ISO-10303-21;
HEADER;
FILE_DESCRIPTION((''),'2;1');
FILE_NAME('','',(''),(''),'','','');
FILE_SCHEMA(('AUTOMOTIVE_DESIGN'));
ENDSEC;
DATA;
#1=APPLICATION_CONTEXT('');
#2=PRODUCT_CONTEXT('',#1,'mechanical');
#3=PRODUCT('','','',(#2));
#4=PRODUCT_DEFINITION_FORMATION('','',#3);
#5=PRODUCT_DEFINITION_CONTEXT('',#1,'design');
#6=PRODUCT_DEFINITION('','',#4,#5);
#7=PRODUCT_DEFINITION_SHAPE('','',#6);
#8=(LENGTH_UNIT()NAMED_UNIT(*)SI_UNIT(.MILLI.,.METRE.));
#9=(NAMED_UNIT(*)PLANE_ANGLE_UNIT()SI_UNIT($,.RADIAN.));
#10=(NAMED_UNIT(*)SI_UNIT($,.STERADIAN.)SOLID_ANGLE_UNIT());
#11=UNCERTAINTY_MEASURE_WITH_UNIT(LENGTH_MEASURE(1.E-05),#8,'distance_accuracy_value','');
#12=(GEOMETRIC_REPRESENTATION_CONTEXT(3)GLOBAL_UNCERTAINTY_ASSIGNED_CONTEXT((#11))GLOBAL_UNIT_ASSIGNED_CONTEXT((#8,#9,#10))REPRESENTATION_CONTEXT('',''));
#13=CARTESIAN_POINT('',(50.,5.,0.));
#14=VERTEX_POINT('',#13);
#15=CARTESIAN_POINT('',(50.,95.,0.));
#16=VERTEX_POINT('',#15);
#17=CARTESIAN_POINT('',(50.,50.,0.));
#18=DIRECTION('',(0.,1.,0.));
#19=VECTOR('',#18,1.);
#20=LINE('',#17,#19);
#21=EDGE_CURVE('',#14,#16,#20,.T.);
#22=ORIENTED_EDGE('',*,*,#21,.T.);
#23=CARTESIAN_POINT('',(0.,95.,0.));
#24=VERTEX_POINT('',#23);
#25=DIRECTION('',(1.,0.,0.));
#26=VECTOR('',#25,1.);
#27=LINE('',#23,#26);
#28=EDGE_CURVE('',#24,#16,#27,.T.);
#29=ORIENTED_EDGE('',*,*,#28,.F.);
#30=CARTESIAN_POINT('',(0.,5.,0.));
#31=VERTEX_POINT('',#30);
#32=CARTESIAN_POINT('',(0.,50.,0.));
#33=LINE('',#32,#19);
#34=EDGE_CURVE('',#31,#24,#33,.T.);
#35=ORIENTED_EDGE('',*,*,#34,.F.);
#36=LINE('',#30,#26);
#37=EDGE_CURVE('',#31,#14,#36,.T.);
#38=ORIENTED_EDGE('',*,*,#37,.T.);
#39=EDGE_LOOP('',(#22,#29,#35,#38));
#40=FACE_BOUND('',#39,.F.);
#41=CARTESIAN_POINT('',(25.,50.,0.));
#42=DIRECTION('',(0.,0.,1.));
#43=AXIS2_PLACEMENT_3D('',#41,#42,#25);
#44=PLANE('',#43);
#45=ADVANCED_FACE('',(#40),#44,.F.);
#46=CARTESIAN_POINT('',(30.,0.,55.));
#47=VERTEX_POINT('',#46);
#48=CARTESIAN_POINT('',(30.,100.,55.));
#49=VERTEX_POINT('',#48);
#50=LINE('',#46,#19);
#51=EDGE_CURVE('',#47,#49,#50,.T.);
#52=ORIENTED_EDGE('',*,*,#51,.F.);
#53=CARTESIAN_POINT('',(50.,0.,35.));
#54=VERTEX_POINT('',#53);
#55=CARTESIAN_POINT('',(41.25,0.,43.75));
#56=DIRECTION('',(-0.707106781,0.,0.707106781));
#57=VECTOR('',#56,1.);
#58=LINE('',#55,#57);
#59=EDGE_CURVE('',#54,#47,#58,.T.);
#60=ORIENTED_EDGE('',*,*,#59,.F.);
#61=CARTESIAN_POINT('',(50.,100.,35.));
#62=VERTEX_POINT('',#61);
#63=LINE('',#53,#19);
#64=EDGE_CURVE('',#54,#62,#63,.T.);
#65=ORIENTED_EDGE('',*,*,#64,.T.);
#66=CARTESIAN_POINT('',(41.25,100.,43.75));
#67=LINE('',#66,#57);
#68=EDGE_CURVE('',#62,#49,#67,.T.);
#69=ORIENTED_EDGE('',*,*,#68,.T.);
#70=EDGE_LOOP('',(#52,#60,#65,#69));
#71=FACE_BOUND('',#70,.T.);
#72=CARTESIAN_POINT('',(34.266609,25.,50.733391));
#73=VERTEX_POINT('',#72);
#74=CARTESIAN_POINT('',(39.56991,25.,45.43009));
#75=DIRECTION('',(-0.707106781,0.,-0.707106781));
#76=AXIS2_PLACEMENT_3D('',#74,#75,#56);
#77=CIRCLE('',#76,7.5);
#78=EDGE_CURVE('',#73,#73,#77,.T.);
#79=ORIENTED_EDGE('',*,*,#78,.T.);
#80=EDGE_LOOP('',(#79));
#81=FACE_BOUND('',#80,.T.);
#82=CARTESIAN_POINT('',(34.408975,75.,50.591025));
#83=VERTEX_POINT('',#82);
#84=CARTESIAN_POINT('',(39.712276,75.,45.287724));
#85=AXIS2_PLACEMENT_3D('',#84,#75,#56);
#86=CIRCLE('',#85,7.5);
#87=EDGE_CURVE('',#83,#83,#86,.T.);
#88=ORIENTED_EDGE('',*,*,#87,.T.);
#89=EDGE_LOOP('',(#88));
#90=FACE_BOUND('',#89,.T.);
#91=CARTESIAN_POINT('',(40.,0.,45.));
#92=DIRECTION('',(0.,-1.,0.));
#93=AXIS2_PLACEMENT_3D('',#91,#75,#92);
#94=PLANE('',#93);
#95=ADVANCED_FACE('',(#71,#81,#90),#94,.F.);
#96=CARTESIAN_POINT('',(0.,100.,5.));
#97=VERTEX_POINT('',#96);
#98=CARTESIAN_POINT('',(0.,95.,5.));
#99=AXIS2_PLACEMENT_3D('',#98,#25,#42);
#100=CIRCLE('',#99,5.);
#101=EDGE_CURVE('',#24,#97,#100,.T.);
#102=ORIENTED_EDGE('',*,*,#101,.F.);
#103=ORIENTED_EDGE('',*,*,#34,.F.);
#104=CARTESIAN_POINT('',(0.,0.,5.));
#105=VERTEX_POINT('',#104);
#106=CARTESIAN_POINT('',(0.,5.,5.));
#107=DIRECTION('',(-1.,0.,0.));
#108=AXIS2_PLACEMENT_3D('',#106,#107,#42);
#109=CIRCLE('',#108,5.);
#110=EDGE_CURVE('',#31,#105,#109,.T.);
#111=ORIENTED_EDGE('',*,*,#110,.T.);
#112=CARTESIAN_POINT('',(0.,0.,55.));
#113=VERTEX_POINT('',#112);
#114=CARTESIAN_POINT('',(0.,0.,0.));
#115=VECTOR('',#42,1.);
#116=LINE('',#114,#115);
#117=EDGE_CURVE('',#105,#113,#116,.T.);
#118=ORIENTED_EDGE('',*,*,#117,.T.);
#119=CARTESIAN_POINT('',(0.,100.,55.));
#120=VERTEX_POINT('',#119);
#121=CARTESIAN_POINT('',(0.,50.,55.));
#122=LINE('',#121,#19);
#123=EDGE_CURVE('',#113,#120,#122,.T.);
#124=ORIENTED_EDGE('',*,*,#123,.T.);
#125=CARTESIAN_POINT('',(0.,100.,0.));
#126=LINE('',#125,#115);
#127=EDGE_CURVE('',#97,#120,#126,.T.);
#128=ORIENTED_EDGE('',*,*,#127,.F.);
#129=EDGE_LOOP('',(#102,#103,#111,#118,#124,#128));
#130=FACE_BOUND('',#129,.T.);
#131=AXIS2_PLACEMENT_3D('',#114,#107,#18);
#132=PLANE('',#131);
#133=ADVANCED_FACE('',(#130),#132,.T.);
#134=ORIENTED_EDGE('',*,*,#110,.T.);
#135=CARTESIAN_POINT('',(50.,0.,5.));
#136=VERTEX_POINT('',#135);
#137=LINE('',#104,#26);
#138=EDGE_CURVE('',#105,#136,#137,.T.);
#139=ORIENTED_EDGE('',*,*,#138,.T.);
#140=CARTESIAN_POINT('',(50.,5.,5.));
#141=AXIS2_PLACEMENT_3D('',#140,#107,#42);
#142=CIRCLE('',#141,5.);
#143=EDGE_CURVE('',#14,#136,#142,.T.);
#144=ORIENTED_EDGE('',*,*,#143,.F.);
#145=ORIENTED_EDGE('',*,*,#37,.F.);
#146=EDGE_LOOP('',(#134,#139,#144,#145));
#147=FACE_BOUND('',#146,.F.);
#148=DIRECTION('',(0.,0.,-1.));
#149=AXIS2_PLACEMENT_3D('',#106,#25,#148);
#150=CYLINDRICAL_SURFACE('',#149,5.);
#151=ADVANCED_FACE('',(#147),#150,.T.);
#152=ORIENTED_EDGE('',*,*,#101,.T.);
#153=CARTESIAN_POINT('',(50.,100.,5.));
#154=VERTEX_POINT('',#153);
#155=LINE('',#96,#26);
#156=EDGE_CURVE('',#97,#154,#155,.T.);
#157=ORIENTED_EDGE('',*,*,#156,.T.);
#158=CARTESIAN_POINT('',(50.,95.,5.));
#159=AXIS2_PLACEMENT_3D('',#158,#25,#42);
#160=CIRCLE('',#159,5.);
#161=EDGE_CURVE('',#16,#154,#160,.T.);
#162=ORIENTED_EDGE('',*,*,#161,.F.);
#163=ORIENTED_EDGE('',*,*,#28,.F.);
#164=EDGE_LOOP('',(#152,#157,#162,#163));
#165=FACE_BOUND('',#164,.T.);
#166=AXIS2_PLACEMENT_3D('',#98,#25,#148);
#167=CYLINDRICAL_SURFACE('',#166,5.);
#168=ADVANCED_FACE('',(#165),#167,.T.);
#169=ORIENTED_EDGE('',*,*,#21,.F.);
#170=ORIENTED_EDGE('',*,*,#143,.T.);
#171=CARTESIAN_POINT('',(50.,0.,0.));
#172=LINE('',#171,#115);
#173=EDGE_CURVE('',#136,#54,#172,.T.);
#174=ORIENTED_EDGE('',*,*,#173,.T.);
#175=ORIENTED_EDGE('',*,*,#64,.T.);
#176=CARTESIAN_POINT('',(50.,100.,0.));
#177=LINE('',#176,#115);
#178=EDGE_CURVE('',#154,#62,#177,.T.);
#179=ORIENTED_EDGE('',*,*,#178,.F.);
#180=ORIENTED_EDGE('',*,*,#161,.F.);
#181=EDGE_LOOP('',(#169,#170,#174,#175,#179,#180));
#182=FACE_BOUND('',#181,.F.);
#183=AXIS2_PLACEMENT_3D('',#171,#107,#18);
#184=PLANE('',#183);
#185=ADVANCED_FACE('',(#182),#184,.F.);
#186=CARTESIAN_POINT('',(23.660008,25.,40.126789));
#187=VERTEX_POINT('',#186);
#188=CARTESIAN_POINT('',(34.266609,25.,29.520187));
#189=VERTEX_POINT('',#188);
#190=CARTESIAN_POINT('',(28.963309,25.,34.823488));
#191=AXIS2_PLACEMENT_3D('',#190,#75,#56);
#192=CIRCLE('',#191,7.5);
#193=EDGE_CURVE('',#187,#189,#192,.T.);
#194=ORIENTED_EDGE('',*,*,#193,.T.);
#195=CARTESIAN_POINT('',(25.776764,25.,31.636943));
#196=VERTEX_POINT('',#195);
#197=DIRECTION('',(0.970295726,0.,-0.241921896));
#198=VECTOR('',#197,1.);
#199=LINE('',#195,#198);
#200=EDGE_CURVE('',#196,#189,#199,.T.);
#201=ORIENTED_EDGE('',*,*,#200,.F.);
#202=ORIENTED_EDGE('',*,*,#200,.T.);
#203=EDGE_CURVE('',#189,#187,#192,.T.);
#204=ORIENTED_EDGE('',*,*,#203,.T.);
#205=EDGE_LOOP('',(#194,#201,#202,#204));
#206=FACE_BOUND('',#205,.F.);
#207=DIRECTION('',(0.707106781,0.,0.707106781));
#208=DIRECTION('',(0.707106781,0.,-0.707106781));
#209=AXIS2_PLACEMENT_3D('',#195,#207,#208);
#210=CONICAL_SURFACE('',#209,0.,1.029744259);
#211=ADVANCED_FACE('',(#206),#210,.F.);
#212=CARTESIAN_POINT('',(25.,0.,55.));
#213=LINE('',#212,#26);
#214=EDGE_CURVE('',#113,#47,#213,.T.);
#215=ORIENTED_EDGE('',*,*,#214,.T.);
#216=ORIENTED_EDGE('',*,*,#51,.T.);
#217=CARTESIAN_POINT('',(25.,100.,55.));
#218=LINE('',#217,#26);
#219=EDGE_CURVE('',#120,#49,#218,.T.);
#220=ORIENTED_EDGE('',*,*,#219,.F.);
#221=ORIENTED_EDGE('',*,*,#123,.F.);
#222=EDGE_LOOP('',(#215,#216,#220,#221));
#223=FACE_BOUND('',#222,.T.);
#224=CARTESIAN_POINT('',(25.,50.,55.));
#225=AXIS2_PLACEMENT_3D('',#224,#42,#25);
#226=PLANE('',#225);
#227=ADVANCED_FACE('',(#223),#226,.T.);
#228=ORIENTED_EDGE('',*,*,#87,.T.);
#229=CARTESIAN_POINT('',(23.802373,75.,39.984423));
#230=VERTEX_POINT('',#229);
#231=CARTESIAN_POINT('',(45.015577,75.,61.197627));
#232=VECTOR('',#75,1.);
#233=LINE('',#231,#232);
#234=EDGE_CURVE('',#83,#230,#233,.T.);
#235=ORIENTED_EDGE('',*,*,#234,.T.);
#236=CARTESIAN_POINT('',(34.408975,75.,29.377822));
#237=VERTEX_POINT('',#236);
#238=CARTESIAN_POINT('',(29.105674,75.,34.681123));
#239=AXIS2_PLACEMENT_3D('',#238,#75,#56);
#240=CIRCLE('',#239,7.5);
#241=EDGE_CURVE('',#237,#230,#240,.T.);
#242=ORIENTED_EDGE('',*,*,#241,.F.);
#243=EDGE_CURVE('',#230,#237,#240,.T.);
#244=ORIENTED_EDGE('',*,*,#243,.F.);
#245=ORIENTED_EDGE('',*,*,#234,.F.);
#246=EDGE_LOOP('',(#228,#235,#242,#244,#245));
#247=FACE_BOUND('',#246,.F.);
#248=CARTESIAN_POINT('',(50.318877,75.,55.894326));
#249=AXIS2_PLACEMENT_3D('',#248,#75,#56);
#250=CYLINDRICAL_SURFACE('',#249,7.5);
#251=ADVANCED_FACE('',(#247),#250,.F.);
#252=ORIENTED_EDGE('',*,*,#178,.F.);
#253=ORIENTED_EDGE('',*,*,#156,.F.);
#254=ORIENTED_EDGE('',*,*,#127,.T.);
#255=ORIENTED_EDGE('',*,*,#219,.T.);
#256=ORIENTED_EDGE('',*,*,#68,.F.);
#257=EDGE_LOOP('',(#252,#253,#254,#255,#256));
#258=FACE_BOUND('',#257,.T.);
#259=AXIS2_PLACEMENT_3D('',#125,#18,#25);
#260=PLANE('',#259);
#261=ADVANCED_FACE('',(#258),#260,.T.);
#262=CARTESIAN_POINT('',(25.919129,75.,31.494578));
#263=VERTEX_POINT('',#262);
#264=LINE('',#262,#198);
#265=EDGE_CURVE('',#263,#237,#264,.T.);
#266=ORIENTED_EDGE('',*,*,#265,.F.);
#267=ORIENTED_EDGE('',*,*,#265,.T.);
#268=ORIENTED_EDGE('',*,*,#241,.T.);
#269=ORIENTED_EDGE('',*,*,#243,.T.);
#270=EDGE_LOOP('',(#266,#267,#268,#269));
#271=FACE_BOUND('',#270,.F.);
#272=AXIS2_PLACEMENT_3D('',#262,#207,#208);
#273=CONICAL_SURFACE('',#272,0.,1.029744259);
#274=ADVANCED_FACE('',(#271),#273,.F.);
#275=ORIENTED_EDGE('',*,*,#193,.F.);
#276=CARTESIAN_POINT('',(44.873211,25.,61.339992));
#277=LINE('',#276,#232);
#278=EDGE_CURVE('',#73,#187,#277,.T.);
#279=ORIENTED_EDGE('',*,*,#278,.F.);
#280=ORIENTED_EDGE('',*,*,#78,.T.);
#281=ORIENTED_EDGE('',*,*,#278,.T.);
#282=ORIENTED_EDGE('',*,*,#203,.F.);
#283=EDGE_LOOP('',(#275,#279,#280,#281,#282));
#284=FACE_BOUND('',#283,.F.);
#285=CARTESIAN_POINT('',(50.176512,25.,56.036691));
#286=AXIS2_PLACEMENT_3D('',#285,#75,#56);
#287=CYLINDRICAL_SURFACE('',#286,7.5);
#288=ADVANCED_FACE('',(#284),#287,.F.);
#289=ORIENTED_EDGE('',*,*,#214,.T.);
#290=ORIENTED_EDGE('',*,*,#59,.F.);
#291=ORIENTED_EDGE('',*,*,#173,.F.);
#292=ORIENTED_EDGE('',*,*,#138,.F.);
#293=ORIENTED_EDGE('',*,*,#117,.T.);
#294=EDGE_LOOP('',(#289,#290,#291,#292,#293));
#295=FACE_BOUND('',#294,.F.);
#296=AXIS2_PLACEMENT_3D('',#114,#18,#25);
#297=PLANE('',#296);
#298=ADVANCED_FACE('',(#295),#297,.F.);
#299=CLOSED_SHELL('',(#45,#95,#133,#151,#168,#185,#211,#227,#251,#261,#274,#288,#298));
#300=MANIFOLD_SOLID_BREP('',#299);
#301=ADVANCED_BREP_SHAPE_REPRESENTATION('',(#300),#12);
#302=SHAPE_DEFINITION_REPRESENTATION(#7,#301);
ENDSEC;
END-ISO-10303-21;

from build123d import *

# Parameters (mm, degrees)
F0_W     = 50
F0_H     = 100
F1_DEPTH = 55
F2_SIZE  = 20
F4_D     = 15
F4_DEPTH = 15
F4_TIP   = 4.5064546427
F6_D     = 15
F6_DEPTH = 15
F6_TIP   = 4.5064546427
F8_R     = 5
F9_R     = 5


with BuildPart() as f1:
    # F0 (on Top) → F1 (new body)
    with BuildSketch(Plane.XY):
        with Locations((25, 50)):
            Rectangle(F0_W, F0_H)
    extrude(amount=F1_DEPTH)

    # F2
    f2_edges = [f1.edges().sort_by_distance(p)[0] for p in [
        (50, 50, 55),
    ]]
    chamfer(f2_edges, length=F2_SIZE)

    # F4
    with Locations(Plane(origin=(42.5, 0, 42.5), x_dir=(0.7071067812, 0, -0.7071067812), z_dir=(0.7071067812, 0, 0.7071067812))):
        with Locations((-4.1437726468, 25)):
            Hole(F4_D / 2, depth=F4_DEPTH)
            with Locations((0, 0, -(F4_DEPTH + F4_TIP / 2))):  # 118° drill point
                Cone(0, F4_D / 2, F4_TIP, mode=Mode.SUBTRACT)

    # F6
    with Locations(Plane(origin=(42.5, 0, 42.5), x_dir=(0.7071067812, 0, -0.7071067812), z_dir=(0.7071067812, 0, 0.7071067812))):
        with Locations((-3.94243747, 75)):
            Hole(F6_D / 2, depth=F6_DEPTH)
            with Locations((0, 0, -(F6_DEPTH + F6_TIP / 2))):  # 118° drill point
                Cone(0, F6_D / 2, F6_TIP, mode=Mode.SUBTRACT)

    # F8
    f8_edges = [f1.edges().sort_by_distance(p)[0] for p in [
        (25, 100, 0),
    ]]
    fillet(f8_edges, radius=F8_R)

    # F9
    f9_edges = [f1.edges().sort_by_distance(p)[0] for p in [
        (25, 0, 0),
    ]]
    fillet(f9_edges, radius=F9_R)


solid = f1.part
